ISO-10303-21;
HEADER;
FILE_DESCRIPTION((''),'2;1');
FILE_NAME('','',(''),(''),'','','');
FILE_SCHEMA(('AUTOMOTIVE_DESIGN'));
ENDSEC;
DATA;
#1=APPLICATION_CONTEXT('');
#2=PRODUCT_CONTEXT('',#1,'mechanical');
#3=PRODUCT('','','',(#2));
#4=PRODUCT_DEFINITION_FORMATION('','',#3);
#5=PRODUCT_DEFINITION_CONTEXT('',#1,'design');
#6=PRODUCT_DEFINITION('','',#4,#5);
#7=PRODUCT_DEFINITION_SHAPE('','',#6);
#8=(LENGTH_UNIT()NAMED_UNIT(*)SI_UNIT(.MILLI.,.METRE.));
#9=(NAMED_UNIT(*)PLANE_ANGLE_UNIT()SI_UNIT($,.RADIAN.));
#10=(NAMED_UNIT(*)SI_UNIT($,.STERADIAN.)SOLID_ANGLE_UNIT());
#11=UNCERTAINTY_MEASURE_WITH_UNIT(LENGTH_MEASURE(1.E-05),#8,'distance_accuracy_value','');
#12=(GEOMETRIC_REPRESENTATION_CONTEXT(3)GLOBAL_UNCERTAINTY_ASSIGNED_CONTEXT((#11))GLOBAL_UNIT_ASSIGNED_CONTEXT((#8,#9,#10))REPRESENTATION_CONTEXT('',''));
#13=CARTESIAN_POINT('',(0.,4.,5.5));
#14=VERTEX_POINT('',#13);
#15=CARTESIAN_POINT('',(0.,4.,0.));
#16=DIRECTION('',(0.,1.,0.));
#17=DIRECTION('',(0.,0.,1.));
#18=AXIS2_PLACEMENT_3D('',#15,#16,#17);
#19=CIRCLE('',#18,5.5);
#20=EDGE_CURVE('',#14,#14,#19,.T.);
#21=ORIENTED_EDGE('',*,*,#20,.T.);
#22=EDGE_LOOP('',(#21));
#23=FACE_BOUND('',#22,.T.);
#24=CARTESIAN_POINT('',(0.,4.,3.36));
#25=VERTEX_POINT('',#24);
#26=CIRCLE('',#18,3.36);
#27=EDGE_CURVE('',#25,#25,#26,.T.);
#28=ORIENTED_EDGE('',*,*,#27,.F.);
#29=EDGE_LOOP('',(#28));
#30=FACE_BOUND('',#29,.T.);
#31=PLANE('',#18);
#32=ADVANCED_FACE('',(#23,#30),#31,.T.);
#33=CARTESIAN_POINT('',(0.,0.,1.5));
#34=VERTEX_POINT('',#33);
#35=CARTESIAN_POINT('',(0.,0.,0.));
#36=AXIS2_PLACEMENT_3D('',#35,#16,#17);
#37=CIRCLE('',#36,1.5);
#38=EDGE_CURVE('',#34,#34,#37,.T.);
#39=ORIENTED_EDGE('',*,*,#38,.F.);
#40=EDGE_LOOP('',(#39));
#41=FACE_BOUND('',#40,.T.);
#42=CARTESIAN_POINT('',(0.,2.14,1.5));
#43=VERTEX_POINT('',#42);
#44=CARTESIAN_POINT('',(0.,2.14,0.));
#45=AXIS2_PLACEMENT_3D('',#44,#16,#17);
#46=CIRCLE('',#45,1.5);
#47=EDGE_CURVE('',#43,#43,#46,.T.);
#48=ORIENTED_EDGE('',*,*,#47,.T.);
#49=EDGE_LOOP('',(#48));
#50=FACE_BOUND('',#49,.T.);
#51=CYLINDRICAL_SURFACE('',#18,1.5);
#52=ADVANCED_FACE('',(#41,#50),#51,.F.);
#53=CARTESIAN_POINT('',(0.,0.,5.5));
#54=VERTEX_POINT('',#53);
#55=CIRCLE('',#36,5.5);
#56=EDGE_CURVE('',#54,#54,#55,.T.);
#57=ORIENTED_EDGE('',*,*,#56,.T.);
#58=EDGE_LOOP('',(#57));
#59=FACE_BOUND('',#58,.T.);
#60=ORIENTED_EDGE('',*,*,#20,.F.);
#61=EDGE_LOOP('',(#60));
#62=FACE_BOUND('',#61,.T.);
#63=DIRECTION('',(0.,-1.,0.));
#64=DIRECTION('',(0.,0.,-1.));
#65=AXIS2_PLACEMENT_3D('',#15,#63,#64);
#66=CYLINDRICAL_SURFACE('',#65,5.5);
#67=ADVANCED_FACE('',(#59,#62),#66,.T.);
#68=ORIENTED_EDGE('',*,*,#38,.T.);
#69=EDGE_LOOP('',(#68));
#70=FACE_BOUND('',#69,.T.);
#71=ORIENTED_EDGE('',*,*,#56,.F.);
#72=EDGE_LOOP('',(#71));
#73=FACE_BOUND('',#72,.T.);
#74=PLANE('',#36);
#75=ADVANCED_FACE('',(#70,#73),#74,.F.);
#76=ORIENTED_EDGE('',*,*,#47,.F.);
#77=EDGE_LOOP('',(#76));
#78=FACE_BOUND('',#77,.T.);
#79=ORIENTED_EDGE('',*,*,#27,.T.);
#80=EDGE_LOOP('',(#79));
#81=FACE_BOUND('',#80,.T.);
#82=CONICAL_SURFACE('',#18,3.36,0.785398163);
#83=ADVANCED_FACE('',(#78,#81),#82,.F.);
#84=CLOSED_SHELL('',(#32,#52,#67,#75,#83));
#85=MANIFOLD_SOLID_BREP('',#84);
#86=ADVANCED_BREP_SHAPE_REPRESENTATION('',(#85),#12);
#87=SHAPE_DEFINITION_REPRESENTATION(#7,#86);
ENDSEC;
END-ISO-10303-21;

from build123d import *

# Parameters (mm, degrees)
SKETCH2_R                     = 5.5
BOSS_EXTRUDE1_DEPTH           = 4
CSK_FOR_M3_SFHCS1_D           = 3
CSK_FOR_M3_SFHCS1_DEPTH       = 31.098709071
CSK_FOR_M3_SFHCS1_CSINK_D     = 6.72
CSK_FOR_M3_SFHCS1_CSINK_ANGLE = 90
CSK_FOR_M3_SFHCS1_TIP         = 0.901290929


with BuildPart() as part:
    # Sketch2 → Boss-Extrude1 (new body)
    with BuildSketch(Plane(origin=(0, 0, 0), x_dir=(1, 0, 0), z_dir=(0, 1, 0))):
        with Locations(Location((0, 0, 0), (0, 0, 270))):
            Circle(SKETCH2_R)
    extrude(amount=BOSS_EXTRUDE1_DEPTH)

    # CSK for M3 SFHCS1
    with Locations(Plane(origin=(0, 4, 0), x_dir=(1, 0, 0), z_dir=(0, 1, 0))):
        with Locations((0, 0)):
            CounterSinkHole(CSK_FOR_M3_SFHCS1_D / 2, CSK_FOR_M3_SFHCS1_CSINK_D / 2, depth=CSK_FOR_M3_SFHCS1_DEPTH, counter_sink_angle=CSK_FOR_M3_SFHCS1_CSINK_ANGLE)
            with Locations((0, 0, -(CSK_FOR_M3_SFHCS1_DEPTH + CSK_FOR_M3_SFHCS1_TIP / 2))):  # 118° drill point
                Cone(0, CSK_FOR_M3_SFHCS1_D / 2, CSK_FOR_M3_SFHCS1_TIP, mode=Mode.SUBTRACT)


solid = part.part
